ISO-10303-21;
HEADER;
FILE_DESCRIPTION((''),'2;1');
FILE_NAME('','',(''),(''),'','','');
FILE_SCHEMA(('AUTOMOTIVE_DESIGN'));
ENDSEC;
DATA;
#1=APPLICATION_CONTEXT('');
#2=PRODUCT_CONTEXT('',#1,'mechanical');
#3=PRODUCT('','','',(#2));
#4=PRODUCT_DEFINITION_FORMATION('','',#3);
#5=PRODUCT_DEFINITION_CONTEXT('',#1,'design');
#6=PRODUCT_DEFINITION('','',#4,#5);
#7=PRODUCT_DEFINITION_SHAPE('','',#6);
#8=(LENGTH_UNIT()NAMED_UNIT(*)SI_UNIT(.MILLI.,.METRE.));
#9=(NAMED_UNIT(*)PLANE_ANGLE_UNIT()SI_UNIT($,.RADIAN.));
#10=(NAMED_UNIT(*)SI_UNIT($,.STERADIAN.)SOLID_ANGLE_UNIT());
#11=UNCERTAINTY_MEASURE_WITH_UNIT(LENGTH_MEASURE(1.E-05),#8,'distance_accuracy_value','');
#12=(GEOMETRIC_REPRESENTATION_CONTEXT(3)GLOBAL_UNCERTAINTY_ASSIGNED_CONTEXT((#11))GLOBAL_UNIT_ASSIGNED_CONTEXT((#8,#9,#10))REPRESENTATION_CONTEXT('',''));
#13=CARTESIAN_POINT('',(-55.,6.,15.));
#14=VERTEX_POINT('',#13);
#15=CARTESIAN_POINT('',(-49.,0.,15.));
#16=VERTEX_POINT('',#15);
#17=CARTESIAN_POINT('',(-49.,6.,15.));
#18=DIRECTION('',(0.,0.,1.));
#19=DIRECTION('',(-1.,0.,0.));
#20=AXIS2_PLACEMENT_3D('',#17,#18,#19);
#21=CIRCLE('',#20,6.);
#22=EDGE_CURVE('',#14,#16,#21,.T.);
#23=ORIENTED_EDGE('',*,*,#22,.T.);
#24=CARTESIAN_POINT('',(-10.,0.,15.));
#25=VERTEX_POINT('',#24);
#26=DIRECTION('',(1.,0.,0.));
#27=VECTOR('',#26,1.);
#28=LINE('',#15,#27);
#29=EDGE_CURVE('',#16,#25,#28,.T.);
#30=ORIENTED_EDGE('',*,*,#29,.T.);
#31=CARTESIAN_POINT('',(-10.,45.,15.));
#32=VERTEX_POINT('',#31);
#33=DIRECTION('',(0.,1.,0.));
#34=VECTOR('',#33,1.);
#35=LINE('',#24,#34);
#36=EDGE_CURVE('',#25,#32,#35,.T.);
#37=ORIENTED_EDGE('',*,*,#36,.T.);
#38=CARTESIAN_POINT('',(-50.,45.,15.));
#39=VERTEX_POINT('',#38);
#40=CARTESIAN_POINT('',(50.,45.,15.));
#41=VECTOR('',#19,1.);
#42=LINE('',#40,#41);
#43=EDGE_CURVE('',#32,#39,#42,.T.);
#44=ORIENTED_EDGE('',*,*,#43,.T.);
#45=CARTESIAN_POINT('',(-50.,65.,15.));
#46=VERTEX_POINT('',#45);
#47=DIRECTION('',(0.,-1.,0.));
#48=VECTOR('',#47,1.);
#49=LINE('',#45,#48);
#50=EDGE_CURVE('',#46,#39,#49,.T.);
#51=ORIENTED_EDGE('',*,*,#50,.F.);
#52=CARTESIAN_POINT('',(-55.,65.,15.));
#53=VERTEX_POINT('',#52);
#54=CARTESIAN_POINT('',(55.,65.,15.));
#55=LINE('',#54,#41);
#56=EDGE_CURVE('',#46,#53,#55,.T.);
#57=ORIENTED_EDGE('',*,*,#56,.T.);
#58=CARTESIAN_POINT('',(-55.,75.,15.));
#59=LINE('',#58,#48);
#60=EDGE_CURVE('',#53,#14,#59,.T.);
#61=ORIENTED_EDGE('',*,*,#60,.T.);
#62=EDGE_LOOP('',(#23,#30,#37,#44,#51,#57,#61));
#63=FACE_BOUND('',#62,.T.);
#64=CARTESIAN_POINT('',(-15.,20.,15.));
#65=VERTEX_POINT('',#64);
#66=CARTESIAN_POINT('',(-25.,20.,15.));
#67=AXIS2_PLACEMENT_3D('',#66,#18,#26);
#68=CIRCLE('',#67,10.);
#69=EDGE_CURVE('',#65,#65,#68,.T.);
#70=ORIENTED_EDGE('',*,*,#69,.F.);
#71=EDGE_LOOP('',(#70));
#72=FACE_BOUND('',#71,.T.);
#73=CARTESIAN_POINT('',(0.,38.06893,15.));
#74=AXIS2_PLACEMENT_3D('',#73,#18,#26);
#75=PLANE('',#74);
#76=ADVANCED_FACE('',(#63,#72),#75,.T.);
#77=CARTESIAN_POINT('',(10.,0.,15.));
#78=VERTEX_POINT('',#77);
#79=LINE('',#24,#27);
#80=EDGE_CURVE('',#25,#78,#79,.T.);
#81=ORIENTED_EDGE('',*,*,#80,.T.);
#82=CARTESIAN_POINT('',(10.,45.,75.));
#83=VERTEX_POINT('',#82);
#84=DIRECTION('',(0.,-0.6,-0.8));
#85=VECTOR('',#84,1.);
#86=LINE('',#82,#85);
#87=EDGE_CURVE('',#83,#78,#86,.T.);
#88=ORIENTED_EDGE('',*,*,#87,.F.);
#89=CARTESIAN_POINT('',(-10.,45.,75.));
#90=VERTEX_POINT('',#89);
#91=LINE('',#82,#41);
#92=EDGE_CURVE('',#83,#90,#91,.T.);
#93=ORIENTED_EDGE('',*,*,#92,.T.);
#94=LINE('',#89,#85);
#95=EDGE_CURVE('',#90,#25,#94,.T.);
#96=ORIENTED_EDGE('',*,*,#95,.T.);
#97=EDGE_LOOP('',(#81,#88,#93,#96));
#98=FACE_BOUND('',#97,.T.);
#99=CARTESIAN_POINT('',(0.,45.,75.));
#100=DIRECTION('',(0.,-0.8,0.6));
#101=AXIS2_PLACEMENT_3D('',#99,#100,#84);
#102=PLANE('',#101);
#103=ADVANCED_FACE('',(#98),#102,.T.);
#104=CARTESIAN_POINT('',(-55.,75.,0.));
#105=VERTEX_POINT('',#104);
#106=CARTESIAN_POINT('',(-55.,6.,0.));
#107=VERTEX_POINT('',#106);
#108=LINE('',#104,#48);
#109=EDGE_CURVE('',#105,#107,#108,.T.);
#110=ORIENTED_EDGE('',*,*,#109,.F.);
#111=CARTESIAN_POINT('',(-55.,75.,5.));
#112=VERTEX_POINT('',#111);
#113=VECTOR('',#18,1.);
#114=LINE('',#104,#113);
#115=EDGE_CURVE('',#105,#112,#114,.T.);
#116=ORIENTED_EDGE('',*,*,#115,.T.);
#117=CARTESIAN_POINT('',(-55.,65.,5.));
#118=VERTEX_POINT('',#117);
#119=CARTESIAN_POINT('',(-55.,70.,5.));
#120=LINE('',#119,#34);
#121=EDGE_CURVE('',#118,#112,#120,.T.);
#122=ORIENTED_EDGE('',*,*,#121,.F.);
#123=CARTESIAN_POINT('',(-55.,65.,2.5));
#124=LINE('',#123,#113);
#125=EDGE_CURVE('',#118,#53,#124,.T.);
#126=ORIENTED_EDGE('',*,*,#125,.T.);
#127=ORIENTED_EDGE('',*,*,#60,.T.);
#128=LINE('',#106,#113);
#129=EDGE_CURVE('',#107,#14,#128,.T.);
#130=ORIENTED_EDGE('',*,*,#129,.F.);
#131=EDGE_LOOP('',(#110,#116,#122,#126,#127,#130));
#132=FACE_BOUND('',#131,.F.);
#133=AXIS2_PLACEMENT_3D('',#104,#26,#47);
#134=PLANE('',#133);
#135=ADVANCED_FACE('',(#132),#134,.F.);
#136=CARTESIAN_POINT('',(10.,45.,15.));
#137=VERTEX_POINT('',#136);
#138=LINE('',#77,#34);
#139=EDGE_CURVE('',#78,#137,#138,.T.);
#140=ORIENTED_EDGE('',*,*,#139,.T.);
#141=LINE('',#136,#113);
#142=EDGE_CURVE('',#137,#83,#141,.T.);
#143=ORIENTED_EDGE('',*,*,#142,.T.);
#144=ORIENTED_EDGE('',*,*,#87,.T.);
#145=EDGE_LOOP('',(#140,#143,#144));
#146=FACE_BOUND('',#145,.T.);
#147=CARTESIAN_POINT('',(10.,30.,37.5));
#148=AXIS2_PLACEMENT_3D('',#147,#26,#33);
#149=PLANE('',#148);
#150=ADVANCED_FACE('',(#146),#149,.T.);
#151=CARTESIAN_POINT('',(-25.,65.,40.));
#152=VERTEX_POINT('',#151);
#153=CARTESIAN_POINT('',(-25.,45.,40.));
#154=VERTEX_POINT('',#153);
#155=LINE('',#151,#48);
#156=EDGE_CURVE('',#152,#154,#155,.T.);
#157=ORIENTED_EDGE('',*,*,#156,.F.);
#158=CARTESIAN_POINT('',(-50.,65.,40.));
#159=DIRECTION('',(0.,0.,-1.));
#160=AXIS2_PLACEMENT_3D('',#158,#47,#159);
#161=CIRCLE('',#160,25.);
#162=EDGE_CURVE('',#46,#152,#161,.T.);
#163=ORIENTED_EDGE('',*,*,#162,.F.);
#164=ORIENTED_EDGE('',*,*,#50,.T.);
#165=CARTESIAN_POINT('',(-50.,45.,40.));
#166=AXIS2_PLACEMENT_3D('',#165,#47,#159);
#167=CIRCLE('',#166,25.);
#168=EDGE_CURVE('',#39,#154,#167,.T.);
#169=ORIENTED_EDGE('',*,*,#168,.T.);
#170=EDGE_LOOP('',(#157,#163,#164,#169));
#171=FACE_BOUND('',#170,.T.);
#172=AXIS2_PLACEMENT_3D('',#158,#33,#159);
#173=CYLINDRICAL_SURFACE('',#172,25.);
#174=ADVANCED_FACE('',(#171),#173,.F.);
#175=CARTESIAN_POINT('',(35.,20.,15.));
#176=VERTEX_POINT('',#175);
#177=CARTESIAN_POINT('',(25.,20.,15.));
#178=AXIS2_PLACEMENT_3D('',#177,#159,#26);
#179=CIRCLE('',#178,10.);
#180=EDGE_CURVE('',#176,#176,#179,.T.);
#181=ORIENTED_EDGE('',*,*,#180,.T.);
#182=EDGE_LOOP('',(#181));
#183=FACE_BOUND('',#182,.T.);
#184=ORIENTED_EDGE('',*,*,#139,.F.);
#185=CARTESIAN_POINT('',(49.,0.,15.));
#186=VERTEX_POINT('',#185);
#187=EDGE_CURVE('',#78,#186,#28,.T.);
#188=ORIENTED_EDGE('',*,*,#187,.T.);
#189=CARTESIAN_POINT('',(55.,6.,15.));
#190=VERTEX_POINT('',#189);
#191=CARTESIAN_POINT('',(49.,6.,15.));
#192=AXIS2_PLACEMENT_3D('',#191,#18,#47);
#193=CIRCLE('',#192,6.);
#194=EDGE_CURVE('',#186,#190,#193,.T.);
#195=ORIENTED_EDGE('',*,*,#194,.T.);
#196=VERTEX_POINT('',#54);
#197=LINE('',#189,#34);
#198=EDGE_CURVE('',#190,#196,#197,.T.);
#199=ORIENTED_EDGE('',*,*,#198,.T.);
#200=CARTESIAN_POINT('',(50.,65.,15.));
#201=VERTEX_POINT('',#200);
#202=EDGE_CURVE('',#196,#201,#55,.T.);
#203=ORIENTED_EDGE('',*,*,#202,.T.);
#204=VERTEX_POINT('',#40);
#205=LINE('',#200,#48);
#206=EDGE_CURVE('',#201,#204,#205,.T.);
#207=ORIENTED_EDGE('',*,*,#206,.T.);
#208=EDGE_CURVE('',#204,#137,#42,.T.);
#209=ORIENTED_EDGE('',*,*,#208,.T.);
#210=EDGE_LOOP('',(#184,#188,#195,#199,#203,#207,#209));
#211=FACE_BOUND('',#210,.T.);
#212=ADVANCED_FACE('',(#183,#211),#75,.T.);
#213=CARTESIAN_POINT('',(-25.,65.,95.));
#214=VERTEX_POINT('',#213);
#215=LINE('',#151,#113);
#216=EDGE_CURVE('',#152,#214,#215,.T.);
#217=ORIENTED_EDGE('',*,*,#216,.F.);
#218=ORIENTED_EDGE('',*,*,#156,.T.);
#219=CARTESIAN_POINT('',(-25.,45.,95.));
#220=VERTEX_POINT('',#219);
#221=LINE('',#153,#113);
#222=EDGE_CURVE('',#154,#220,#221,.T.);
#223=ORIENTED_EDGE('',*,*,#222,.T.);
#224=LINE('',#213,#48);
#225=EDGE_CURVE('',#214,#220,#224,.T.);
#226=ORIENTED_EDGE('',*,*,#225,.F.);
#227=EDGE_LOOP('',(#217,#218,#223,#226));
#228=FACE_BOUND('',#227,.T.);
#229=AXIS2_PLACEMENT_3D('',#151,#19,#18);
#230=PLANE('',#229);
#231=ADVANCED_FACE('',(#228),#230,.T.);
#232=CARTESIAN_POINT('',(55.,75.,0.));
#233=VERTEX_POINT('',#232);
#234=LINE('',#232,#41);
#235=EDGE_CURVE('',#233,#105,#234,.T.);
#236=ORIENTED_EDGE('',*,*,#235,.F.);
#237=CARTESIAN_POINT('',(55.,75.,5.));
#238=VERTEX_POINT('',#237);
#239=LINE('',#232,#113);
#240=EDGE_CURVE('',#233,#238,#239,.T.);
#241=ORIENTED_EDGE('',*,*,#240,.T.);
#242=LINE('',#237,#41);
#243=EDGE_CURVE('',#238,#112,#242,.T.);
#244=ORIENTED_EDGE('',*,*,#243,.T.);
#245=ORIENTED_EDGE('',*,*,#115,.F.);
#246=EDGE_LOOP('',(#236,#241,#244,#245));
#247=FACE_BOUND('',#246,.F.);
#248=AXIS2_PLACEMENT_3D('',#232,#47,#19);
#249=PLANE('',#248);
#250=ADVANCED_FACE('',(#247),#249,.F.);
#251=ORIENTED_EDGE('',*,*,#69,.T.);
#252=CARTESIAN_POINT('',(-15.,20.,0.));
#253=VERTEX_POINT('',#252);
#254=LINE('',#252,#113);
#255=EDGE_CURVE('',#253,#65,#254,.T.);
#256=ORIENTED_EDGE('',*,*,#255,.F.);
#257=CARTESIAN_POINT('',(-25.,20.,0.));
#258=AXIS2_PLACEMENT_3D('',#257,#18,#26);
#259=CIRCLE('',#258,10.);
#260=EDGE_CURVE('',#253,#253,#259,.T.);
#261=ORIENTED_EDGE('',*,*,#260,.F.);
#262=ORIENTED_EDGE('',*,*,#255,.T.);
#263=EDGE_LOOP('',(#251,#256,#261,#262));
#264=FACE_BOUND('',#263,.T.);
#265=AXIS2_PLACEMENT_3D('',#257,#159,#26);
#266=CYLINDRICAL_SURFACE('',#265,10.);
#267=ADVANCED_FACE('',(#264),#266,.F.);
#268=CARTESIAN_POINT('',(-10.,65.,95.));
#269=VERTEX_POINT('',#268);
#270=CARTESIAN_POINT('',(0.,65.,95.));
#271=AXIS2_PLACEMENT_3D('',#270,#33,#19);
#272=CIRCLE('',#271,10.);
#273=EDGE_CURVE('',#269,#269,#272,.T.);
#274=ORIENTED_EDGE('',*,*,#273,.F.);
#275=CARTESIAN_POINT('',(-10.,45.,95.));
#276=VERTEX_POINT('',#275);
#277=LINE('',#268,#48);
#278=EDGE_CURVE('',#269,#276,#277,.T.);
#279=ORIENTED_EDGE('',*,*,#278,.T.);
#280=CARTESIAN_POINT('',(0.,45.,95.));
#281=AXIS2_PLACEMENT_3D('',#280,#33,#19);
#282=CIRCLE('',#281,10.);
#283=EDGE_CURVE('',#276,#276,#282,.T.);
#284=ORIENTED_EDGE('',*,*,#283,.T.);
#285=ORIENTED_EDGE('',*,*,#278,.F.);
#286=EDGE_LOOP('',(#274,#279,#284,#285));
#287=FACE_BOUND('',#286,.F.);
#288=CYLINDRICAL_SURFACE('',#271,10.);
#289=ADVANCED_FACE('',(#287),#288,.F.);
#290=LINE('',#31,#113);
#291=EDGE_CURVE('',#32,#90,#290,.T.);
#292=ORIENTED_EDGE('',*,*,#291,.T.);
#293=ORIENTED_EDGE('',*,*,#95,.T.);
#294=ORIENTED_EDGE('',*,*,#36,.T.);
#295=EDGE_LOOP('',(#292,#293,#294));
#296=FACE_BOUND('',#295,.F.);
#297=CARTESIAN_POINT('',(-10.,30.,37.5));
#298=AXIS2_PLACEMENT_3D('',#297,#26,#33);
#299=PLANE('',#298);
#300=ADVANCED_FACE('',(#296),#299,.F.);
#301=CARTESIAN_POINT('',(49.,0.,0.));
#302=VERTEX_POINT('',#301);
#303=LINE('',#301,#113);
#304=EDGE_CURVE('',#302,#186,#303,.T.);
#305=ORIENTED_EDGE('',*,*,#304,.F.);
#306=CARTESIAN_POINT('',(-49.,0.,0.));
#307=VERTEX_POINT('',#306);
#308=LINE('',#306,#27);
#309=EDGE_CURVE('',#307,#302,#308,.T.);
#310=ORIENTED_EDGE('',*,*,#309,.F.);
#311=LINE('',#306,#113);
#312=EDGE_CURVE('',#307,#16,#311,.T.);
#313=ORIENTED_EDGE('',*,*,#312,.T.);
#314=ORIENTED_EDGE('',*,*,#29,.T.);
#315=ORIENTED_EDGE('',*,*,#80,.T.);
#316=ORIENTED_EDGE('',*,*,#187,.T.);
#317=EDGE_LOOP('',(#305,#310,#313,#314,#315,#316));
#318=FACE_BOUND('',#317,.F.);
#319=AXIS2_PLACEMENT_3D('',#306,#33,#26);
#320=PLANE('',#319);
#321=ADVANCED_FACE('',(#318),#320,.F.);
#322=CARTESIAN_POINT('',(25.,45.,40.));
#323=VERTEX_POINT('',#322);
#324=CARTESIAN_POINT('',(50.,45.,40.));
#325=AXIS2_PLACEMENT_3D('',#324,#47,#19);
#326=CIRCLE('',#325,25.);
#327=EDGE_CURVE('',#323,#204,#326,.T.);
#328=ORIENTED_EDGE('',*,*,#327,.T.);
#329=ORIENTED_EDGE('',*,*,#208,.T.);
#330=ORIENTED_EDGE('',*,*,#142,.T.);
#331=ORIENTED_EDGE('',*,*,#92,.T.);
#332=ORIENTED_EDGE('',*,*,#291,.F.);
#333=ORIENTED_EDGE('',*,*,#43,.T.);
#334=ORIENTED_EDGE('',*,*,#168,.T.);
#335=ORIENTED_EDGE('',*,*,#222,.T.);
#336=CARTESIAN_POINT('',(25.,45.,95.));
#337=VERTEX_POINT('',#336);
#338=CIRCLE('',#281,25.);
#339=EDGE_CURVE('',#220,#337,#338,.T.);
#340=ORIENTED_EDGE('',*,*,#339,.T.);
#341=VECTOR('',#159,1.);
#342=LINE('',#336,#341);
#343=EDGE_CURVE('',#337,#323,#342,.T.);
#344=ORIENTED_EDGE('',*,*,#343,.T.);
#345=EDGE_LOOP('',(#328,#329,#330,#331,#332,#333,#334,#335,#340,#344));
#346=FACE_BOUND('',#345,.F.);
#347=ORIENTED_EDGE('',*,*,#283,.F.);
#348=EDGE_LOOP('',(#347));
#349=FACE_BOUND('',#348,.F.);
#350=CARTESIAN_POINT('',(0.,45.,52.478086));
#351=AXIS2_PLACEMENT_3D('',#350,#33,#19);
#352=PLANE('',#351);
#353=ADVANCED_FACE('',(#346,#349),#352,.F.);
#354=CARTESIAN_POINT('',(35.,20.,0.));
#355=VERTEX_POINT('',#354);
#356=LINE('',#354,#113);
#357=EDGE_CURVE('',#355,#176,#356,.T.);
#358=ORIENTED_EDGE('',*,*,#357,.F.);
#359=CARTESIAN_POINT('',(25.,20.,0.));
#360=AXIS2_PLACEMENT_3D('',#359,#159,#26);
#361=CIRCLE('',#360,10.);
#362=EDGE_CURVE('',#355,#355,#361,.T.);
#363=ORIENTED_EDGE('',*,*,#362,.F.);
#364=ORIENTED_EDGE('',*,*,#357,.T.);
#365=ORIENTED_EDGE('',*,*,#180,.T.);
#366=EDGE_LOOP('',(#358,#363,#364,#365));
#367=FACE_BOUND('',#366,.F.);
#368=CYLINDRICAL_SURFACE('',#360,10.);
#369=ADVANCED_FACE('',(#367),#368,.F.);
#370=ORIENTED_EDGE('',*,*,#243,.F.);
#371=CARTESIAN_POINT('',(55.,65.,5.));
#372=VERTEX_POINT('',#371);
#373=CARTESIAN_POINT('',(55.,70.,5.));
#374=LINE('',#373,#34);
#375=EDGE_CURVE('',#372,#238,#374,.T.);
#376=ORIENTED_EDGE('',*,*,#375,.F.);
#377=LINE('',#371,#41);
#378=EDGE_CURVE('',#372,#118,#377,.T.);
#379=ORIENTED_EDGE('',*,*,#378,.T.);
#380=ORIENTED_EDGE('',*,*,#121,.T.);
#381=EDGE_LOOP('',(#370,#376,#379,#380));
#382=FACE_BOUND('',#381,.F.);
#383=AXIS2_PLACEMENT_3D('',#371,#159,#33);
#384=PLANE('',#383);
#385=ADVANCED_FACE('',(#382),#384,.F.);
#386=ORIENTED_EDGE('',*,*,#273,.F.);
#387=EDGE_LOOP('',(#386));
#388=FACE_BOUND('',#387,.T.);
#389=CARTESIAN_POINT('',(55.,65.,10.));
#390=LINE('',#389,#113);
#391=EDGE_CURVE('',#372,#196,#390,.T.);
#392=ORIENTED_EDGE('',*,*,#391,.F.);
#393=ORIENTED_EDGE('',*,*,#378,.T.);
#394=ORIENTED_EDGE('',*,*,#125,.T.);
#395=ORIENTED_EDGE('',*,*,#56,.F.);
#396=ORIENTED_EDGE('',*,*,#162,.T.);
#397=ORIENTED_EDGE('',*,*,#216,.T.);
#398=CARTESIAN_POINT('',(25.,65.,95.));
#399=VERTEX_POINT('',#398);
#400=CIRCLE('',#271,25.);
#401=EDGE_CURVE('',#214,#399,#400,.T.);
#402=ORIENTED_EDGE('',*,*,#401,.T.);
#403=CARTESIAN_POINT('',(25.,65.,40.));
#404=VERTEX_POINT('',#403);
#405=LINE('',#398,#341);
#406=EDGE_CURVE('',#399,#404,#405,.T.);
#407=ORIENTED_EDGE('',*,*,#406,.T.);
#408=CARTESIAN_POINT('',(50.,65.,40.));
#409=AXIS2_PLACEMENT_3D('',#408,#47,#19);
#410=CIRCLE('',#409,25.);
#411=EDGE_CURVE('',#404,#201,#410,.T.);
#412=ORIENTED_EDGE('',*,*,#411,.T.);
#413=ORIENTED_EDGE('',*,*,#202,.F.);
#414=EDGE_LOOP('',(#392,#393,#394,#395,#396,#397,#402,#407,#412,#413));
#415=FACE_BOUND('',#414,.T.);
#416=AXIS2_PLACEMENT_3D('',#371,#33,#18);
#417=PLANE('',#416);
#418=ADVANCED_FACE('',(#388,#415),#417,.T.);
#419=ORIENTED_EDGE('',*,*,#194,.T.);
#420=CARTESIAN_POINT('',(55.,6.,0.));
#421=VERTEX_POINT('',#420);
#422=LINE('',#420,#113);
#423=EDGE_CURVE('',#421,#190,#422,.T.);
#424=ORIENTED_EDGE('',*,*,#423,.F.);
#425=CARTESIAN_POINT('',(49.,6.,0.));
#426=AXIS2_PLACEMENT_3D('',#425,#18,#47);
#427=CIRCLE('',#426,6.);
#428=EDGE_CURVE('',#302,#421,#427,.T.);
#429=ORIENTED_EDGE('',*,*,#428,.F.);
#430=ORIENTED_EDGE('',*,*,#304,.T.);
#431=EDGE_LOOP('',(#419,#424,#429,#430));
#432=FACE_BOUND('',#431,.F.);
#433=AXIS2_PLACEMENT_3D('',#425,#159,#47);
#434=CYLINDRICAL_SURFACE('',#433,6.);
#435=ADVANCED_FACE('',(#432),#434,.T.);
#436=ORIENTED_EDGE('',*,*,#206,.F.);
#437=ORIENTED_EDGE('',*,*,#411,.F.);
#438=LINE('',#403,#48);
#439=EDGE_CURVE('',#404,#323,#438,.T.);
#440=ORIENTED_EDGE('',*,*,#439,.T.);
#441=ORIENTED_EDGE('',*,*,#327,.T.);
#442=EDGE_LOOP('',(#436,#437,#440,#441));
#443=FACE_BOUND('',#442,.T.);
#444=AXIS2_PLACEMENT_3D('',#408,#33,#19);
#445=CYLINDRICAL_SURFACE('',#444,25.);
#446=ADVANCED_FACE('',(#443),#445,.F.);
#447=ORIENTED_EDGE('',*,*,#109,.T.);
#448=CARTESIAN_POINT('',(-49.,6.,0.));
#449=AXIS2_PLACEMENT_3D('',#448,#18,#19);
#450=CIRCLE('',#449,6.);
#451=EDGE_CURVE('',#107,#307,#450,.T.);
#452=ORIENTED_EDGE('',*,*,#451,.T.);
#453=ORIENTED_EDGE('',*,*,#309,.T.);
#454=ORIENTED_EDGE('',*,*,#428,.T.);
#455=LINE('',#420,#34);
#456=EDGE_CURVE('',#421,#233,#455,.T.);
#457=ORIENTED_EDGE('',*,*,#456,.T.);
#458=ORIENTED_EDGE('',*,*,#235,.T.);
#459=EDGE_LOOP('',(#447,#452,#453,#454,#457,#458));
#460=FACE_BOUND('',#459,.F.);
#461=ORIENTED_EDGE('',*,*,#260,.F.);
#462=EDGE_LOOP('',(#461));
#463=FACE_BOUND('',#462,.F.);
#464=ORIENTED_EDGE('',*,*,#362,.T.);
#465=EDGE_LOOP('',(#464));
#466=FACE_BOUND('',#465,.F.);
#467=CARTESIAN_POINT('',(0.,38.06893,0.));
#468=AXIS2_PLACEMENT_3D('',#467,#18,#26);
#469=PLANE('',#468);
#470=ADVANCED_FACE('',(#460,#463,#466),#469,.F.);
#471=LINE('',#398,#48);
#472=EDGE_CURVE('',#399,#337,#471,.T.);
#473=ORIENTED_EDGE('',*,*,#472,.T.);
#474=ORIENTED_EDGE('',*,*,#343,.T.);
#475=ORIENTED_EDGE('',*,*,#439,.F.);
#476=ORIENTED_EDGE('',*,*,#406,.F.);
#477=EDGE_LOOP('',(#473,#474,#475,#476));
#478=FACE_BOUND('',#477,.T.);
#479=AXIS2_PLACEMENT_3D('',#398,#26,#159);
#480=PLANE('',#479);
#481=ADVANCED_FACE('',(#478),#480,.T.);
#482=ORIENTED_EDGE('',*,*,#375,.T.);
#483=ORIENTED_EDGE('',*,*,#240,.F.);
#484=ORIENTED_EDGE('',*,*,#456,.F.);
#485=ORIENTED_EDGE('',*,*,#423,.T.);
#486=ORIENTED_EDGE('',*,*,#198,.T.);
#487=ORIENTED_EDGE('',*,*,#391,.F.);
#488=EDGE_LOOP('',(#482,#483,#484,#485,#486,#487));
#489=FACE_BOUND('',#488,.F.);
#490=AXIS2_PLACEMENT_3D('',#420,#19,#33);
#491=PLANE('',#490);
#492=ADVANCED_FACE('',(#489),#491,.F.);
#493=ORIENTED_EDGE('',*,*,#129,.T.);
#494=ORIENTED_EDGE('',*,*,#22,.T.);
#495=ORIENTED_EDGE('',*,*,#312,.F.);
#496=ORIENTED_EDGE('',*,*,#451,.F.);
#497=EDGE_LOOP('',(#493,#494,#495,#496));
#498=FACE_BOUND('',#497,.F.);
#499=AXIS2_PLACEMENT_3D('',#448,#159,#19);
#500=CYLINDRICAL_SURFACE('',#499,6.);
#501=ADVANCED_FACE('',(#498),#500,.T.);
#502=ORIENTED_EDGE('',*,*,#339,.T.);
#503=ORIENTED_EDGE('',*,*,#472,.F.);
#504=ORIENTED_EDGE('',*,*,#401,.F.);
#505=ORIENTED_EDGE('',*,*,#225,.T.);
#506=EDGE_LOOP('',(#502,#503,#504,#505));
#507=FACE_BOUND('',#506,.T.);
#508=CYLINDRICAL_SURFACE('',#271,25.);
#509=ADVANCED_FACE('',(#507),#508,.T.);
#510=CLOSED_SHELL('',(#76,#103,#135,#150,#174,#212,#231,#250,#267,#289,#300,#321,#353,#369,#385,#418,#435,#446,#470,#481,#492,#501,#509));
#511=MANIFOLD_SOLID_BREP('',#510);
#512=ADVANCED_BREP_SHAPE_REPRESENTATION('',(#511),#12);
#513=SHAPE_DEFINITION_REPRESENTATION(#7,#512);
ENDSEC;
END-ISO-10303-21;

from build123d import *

# Parameters (mm, degrees)
F0_R          = 10
F1_DEPTH      = 15
F3_START      = -10
F2_R          = 10
F3_DEPTH      = 20
F5_DEPTH      = 10
F5_DEPTH_BACK = 10
F6_W          = 10
F6_H          = 10
F7_DEPTH      = 110.001


with BuildPart() as f1:
    # F0 (on Top) → F1 (new body)
    with BuildSketch(Plane.XY):
        with BuildLine():
            Line((55, 75), (-55, 75))
            Line((-55, 75), (-55, 6))
            ThreePointArc((-55, 6), (-53.2426406871, 1.7573593129), (-49, 0))
            Line((-49, 0), (49, 0))
            ThreePointArc((49, 0), (53.2426406871, 1.7573593129), (55, 6))
            Line((55, 6), (55, 75))
        make_face()
        with Locations((-25, 20)):
            Circle(F0_R, mode=Mode.SUBTRACT)
        with BuildLine():
            ThreePointArc((15, 20), (25, 30), (35, 20))
            ThreePointArc((35, 20), (25, 10), (15, 20))
        make_face(mode=Mode.SUBTRACT)
    extrude(amount=F1_DEPTH)

    # F2 (on face) → F3 (join)
    with BuildSketch(Plane(origin=(0, 75, 0), x_dir=(-1, 0, 0), z_dir=(0, 1, 0)).offset(F3_START)):
        with BuildLine():
            ThreePointArc((50, 15), (32.3223304703, 22.3223304703), (25, 40))
            Line((25, 40), (25, 95))
            ThreePointArc((25, 95), (0, 120), (-25, 95))
            Line((-25, 95), (-25, 40))
            ThreePointArc((-25, 40), (-32.3223304703, 22.3223304703), (-50, 15))
            Line((-50, 15), (50, 15))
        make_face()
        with Locations((0, 95)):
            Circle(F2_R, mode=Mode.SUBTRACT)
    extrude(amount=-F3_DEPTH)

    # F4 (on Right) → F5 (join, two sides)
    with BuildSketch(Plane.YZ) as f5_sk:
        Polygon((45, 75), (0, 15), (45, 15), align=None)
    extrude(amount=F5_DEPTH)
    extrude(f5_sk.sketch, amount=-F5_DEPTH_BACK)

    # F6 (on face) → F7 (cut, through all)
    with BuildSketch(Plane.YZ.offset(55)):
        with Locations((70, 10)):
            Rectangle(F6_W, F6_H)
    extrude(amount=-F7_DEPTH, mode=Mode.SUBTRACT)


solid = f1.part
